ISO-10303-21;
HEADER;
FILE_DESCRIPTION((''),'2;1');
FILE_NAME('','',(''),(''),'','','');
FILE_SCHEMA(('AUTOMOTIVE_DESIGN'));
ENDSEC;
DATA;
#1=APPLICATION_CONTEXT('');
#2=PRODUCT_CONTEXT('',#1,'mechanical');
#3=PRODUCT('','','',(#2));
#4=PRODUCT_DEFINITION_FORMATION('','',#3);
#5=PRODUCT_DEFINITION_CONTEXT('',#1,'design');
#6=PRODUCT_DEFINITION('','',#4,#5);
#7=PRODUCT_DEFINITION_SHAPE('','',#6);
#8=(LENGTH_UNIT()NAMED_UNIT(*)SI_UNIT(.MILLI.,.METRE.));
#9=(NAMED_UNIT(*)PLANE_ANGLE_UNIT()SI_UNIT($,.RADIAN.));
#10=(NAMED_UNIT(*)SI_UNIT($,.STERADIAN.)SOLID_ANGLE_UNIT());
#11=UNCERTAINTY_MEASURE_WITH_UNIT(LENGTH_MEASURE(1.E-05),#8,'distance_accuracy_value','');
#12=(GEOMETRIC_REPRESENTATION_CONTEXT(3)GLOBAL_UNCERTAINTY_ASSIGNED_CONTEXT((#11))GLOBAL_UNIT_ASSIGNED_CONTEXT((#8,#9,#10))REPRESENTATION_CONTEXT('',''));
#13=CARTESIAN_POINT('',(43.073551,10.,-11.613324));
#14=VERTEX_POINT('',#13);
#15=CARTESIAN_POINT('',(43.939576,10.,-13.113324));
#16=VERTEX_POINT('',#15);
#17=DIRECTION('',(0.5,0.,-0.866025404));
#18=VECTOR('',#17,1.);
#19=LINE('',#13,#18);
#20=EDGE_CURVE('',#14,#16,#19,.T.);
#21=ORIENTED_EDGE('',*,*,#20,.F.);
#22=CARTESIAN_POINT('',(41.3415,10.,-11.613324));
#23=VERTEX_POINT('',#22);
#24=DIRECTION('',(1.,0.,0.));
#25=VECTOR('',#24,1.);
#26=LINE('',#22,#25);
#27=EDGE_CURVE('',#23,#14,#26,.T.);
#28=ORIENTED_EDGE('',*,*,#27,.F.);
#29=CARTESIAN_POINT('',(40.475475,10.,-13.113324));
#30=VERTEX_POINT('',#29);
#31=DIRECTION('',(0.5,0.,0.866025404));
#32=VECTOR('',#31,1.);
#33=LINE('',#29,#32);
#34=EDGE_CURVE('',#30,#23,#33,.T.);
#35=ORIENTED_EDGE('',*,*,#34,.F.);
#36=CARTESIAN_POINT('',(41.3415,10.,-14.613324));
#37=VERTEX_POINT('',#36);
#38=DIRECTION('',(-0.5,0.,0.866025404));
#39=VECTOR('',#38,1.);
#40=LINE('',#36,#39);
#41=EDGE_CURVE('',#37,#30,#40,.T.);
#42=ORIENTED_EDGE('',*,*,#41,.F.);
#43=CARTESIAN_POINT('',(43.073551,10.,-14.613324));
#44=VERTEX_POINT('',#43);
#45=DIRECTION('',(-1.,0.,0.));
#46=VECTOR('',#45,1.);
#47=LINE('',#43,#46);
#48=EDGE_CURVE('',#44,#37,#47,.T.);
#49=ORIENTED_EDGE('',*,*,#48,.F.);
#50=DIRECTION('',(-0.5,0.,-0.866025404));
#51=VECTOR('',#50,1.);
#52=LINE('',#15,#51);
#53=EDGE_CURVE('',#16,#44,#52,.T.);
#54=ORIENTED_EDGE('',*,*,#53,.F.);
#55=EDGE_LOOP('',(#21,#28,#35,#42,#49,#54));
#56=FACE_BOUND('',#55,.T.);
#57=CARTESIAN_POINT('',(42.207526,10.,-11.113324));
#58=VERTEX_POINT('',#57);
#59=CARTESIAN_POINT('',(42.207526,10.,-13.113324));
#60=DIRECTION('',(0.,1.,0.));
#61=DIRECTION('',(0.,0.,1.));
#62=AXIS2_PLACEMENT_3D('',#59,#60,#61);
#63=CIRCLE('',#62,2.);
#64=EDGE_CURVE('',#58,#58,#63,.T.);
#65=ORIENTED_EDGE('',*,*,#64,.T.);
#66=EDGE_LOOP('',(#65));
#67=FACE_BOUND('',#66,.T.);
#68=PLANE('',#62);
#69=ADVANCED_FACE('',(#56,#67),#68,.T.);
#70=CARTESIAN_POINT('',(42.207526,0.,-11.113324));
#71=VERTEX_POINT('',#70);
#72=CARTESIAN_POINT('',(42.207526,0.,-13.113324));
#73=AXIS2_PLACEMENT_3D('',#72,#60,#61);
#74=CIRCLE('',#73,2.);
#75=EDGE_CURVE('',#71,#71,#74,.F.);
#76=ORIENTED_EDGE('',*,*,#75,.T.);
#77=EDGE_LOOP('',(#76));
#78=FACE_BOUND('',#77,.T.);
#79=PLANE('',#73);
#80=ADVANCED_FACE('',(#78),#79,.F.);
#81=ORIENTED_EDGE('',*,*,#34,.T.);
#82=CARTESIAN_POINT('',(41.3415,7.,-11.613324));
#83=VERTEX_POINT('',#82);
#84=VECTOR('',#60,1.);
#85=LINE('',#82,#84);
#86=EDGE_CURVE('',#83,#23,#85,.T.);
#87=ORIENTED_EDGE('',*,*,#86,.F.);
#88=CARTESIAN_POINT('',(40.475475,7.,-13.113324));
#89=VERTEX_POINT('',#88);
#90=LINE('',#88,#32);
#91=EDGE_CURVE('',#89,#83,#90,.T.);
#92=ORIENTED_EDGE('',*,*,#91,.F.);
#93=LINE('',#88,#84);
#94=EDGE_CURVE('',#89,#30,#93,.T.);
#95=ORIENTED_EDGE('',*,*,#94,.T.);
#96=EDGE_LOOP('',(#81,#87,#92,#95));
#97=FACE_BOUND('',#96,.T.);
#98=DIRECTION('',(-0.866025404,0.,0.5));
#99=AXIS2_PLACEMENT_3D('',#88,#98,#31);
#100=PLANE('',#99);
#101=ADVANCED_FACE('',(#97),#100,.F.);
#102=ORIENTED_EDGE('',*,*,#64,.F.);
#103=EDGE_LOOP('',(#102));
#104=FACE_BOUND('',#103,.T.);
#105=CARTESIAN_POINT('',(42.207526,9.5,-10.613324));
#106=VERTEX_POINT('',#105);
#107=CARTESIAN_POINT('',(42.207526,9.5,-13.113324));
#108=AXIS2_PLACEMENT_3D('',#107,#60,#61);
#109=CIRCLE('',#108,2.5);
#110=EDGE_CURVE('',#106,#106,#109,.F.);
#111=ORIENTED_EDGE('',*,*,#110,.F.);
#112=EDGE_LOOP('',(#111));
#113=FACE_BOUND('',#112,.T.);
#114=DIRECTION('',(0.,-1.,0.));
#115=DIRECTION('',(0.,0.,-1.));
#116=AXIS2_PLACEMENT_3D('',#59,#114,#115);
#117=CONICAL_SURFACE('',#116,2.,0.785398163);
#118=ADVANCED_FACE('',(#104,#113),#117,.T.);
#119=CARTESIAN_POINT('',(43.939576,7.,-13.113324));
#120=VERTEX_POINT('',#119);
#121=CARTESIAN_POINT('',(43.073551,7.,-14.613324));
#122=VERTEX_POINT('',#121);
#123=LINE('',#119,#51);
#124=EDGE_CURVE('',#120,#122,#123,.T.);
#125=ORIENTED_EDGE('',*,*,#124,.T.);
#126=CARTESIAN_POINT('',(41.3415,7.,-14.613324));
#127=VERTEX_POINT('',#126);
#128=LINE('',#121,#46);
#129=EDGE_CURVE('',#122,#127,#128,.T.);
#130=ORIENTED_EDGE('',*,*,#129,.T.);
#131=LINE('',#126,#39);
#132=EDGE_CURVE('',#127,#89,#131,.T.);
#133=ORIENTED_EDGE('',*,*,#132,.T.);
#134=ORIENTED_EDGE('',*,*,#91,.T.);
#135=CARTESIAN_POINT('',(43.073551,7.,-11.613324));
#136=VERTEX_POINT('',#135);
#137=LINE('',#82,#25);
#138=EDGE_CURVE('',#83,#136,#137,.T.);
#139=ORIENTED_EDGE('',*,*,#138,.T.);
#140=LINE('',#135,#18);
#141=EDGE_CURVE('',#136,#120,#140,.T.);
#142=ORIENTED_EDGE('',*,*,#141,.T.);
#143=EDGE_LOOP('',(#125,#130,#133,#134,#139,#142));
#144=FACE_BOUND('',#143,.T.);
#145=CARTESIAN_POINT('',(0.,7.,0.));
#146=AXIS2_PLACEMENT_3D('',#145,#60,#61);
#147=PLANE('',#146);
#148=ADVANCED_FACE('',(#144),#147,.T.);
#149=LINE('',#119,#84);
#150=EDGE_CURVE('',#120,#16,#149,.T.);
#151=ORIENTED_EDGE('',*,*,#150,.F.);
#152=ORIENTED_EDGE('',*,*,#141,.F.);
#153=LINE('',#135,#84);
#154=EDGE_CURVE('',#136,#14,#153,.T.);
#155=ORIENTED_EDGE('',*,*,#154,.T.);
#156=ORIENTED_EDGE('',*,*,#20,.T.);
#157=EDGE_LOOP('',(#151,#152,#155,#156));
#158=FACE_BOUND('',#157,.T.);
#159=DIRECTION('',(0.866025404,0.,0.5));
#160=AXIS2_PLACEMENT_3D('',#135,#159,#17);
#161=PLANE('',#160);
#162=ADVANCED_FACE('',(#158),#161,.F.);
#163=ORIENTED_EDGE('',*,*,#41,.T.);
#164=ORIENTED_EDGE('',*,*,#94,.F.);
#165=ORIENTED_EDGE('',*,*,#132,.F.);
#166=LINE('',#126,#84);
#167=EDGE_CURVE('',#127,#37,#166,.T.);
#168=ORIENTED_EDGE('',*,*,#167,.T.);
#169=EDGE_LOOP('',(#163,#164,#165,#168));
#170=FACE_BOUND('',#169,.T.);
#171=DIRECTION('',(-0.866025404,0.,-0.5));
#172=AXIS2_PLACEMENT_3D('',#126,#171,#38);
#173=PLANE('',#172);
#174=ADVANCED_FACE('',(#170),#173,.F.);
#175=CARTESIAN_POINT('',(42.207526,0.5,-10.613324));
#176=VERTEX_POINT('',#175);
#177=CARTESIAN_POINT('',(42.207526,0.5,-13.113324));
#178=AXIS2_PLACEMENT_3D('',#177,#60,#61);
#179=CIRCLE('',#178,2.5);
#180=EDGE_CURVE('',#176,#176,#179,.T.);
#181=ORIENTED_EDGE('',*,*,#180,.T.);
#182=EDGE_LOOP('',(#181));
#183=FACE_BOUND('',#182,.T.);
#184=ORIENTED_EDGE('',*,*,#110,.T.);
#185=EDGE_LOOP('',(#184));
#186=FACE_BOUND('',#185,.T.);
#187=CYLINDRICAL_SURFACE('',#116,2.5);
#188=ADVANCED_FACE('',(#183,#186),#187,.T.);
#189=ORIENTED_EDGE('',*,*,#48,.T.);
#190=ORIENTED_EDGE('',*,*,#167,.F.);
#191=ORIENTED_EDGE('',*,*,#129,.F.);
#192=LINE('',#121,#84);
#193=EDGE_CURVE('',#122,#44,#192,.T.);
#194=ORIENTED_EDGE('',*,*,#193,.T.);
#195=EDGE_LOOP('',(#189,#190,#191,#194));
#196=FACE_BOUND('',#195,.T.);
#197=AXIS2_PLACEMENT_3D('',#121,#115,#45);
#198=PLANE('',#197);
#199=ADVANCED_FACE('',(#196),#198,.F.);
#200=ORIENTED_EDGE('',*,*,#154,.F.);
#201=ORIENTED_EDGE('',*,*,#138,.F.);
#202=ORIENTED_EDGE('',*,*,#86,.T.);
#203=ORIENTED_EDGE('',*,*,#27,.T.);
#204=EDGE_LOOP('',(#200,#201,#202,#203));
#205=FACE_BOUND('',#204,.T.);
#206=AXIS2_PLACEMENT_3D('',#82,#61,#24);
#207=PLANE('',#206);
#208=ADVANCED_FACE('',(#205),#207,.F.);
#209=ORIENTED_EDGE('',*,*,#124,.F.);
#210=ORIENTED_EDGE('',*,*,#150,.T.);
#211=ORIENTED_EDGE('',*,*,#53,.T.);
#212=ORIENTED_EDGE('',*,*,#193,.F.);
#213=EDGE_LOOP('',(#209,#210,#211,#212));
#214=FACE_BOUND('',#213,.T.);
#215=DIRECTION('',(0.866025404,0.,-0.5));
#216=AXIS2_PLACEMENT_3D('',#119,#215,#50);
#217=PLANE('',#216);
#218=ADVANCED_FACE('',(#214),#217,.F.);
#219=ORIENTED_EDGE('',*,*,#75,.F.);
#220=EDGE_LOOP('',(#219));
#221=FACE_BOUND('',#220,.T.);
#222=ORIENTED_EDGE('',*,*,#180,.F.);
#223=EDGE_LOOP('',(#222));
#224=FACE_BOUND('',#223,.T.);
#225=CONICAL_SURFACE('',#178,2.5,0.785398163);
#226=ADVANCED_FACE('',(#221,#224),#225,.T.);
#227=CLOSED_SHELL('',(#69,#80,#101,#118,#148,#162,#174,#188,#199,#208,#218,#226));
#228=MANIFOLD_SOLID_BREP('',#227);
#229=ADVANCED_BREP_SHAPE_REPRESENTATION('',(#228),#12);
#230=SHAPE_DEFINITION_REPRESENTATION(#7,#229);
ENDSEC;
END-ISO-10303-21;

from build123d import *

# Parameters (mm, degrees)
SZKIC1_R                    = 2.5
DODANIE_WYCI_GNI_CIE1_DEPTH = 10
WYTNIJ_WYCI_GNI_CIE1_DEPTH  = 3
SFAZOWANIE1_SIZE            = 0.5


with BuildPart() as part:
    # Szkic1 → Dodanie-wyciągnięcie1 (new body)
    with BuildSketch(Plane(origin=(0, 0, 0), x_dir=(1, 0, 0), z_dir=(0, 1, 0))):
        with Locations(Location((42.20752559, 13.113324094, 0), (0, 0, 270))):
            Circle(SZKIC1_R)
    extrude(amount=DODANIE_WYCI_GNI_CIE1_DEPTH)

    # Szkic2 → Wytnij-wyciągnięcie1 (cut)
    with BuildSketch(Plane(origin=(0, 10, 0), x_dir=(1, 0, 0), z_dir=(0, 1, 0))):
        Polygon((43.939576398, 13.113324094), (43.073550994, 14.613324094), (41.341500186, 14.613324094), (40.475474782, 13.113324094), (41.341500186, 11.613324094), (43.073550994, 11.613324094), align=None)
    extrude(amount=-WYTNIJ_WYCI_GNI_CIE1_DEPTH, mode=Mode.SUBTRACT)

    # Sfazowanie1
    sfazowanie1_edges = [part.edges().sort_by_distance(p)[0] for p in [
        (42.20752559, 0, -15.613324094),
        (42.20752559, 10, -15.613324094),
    ]]
    chamfer(sfazowanie1_edges, length=SFAZOWANIE1_SIZE)


solid = part.part
